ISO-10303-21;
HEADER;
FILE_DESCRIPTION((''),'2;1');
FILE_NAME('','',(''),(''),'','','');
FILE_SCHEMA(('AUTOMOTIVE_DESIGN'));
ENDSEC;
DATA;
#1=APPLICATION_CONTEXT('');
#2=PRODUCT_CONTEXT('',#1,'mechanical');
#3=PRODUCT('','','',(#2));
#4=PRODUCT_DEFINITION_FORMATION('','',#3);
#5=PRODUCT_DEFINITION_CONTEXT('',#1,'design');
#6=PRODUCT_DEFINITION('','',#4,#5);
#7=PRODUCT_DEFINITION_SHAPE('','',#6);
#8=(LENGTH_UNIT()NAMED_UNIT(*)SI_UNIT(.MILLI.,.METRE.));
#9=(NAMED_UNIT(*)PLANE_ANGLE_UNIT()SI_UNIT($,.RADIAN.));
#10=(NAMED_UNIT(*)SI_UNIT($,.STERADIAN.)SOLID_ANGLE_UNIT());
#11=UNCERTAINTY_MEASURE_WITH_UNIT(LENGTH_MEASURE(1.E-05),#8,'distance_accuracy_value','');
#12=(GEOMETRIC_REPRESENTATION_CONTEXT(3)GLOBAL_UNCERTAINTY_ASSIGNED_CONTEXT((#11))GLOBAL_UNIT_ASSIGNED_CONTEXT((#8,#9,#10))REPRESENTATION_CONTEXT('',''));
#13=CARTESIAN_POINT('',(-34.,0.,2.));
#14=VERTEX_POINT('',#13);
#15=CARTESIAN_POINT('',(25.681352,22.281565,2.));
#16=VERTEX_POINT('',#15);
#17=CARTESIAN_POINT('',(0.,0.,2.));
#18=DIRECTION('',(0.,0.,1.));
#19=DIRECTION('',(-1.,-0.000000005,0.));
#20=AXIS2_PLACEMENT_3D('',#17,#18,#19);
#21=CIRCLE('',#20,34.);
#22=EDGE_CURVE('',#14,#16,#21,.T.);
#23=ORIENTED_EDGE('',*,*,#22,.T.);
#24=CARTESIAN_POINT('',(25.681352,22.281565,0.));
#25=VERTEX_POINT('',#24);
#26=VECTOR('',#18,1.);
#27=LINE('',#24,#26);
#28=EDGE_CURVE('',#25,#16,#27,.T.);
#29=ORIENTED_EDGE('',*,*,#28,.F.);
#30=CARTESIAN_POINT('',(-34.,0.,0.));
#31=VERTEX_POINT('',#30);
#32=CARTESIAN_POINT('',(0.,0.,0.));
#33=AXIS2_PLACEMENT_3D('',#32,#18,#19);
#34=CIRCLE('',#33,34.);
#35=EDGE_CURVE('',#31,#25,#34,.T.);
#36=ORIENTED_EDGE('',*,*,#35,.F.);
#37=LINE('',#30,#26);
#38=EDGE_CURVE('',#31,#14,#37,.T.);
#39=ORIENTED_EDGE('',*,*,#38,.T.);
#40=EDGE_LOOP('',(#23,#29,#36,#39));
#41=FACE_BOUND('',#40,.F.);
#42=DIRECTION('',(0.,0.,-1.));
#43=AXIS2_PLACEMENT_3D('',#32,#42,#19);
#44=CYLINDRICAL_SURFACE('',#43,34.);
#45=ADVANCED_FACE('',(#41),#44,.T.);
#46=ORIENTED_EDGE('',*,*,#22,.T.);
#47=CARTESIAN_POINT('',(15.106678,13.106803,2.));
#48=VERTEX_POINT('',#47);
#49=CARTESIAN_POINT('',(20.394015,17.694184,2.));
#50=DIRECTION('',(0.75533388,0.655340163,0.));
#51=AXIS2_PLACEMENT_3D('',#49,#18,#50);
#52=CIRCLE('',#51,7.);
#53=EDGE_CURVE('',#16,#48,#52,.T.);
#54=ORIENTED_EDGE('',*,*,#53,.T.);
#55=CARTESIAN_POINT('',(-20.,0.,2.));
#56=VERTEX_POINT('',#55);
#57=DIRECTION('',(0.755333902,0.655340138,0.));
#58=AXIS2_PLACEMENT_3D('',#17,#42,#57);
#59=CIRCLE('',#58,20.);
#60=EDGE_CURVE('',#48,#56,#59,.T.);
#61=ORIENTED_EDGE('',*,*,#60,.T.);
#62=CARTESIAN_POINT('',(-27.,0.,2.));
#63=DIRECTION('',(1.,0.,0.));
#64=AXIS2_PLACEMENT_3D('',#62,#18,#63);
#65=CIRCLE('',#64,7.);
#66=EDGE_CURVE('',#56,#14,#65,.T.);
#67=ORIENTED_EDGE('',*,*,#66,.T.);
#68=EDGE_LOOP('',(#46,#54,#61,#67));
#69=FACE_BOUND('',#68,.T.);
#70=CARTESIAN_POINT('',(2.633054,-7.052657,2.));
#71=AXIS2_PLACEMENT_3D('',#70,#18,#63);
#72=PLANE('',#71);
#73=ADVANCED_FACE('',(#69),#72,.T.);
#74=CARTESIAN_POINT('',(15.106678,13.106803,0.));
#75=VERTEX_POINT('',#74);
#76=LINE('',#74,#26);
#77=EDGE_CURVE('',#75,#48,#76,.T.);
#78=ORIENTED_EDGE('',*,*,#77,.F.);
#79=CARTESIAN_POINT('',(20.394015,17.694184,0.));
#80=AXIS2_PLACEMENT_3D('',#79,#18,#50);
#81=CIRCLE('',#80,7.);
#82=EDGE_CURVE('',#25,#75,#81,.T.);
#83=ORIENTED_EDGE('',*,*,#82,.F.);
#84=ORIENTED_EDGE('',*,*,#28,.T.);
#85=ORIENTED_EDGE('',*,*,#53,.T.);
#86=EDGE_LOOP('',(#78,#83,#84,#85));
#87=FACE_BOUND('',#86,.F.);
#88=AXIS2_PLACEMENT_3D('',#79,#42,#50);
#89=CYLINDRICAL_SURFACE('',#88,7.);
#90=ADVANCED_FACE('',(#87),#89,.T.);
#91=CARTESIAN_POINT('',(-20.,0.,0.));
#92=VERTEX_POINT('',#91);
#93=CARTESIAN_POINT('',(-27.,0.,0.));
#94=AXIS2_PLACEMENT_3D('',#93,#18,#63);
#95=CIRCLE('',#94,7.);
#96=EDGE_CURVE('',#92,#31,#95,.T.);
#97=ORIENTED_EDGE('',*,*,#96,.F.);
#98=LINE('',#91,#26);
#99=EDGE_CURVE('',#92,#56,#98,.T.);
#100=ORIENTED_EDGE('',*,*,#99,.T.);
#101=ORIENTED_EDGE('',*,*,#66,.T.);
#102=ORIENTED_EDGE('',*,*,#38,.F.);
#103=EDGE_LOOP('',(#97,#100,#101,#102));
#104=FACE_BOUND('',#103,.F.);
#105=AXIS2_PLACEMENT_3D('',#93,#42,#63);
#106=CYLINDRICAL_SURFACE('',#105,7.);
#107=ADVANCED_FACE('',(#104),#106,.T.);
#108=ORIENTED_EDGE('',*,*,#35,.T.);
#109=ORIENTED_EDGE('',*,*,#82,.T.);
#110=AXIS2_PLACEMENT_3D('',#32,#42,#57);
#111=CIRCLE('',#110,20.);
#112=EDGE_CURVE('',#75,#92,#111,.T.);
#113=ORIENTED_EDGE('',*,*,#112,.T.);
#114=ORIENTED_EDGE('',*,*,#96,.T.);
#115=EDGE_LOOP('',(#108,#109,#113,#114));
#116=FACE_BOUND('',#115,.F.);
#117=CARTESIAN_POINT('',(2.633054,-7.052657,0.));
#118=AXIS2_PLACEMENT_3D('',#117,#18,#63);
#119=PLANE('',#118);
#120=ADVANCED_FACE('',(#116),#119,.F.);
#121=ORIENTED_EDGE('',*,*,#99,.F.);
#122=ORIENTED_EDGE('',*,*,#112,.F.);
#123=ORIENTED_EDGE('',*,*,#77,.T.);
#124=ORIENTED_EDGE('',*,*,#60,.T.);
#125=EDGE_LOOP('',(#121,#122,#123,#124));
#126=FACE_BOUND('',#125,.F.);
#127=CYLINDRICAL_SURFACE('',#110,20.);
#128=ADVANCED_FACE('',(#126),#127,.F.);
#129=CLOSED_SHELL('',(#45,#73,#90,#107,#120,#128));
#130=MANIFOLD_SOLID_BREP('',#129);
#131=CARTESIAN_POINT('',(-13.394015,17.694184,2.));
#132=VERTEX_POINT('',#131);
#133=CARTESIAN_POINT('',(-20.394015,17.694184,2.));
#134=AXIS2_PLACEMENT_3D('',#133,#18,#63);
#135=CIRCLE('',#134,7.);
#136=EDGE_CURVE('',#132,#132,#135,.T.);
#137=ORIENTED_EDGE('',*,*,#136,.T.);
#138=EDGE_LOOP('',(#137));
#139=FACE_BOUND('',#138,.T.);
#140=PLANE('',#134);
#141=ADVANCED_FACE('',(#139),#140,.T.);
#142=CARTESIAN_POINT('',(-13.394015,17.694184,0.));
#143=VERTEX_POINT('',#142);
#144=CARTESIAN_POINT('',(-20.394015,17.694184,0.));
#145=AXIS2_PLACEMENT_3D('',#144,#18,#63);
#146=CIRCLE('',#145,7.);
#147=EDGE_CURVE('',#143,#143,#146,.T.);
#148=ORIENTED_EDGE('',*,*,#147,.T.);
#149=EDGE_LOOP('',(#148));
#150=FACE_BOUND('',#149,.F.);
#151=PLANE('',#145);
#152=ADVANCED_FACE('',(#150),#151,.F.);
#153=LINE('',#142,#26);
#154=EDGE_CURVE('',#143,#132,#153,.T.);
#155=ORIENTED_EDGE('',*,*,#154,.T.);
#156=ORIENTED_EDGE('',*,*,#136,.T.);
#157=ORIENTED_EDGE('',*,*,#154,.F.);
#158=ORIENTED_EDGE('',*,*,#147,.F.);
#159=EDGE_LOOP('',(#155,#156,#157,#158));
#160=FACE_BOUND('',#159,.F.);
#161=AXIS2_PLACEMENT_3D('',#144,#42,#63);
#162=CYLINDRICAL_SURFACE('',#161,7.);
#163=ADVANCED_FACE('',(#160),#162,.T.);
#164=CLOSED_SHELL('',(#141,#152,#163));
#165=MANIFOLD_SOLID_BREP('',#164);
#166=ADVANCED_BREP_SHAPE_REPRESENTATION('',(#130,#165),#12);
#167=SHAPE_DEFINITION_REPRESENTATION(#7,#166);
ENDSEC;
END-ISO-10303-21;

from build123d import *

# Parameters (mm, degrees)
F0_R     = 7
F1_DEPTH = 2


with BuildPart() as f1:
    # F0 (on Top) → F1 (new body)
    with BuildSketch(Plane.XY):
        with BuildLine():
            ThreePointArc((-20, 0), (-27, 7), (-34, 0))
            ThreePointArc((-34, 0), (11.891888, -31.852519), (25.681352, 22.281565))
            ThreePointArc((25.681352, 22.281565), (15.806634, 22.981521), (15.106678, 13.106803))
            ThreePointArc((15.106678, 13.106803), (6.995228, -18.736776), (-20, 0))
        make_face()
        with Locations((-20.394015, 17.694184)):
            Circle(F0_R)
    extrude(amount=F1_DEPTH)


solid = f1.part
